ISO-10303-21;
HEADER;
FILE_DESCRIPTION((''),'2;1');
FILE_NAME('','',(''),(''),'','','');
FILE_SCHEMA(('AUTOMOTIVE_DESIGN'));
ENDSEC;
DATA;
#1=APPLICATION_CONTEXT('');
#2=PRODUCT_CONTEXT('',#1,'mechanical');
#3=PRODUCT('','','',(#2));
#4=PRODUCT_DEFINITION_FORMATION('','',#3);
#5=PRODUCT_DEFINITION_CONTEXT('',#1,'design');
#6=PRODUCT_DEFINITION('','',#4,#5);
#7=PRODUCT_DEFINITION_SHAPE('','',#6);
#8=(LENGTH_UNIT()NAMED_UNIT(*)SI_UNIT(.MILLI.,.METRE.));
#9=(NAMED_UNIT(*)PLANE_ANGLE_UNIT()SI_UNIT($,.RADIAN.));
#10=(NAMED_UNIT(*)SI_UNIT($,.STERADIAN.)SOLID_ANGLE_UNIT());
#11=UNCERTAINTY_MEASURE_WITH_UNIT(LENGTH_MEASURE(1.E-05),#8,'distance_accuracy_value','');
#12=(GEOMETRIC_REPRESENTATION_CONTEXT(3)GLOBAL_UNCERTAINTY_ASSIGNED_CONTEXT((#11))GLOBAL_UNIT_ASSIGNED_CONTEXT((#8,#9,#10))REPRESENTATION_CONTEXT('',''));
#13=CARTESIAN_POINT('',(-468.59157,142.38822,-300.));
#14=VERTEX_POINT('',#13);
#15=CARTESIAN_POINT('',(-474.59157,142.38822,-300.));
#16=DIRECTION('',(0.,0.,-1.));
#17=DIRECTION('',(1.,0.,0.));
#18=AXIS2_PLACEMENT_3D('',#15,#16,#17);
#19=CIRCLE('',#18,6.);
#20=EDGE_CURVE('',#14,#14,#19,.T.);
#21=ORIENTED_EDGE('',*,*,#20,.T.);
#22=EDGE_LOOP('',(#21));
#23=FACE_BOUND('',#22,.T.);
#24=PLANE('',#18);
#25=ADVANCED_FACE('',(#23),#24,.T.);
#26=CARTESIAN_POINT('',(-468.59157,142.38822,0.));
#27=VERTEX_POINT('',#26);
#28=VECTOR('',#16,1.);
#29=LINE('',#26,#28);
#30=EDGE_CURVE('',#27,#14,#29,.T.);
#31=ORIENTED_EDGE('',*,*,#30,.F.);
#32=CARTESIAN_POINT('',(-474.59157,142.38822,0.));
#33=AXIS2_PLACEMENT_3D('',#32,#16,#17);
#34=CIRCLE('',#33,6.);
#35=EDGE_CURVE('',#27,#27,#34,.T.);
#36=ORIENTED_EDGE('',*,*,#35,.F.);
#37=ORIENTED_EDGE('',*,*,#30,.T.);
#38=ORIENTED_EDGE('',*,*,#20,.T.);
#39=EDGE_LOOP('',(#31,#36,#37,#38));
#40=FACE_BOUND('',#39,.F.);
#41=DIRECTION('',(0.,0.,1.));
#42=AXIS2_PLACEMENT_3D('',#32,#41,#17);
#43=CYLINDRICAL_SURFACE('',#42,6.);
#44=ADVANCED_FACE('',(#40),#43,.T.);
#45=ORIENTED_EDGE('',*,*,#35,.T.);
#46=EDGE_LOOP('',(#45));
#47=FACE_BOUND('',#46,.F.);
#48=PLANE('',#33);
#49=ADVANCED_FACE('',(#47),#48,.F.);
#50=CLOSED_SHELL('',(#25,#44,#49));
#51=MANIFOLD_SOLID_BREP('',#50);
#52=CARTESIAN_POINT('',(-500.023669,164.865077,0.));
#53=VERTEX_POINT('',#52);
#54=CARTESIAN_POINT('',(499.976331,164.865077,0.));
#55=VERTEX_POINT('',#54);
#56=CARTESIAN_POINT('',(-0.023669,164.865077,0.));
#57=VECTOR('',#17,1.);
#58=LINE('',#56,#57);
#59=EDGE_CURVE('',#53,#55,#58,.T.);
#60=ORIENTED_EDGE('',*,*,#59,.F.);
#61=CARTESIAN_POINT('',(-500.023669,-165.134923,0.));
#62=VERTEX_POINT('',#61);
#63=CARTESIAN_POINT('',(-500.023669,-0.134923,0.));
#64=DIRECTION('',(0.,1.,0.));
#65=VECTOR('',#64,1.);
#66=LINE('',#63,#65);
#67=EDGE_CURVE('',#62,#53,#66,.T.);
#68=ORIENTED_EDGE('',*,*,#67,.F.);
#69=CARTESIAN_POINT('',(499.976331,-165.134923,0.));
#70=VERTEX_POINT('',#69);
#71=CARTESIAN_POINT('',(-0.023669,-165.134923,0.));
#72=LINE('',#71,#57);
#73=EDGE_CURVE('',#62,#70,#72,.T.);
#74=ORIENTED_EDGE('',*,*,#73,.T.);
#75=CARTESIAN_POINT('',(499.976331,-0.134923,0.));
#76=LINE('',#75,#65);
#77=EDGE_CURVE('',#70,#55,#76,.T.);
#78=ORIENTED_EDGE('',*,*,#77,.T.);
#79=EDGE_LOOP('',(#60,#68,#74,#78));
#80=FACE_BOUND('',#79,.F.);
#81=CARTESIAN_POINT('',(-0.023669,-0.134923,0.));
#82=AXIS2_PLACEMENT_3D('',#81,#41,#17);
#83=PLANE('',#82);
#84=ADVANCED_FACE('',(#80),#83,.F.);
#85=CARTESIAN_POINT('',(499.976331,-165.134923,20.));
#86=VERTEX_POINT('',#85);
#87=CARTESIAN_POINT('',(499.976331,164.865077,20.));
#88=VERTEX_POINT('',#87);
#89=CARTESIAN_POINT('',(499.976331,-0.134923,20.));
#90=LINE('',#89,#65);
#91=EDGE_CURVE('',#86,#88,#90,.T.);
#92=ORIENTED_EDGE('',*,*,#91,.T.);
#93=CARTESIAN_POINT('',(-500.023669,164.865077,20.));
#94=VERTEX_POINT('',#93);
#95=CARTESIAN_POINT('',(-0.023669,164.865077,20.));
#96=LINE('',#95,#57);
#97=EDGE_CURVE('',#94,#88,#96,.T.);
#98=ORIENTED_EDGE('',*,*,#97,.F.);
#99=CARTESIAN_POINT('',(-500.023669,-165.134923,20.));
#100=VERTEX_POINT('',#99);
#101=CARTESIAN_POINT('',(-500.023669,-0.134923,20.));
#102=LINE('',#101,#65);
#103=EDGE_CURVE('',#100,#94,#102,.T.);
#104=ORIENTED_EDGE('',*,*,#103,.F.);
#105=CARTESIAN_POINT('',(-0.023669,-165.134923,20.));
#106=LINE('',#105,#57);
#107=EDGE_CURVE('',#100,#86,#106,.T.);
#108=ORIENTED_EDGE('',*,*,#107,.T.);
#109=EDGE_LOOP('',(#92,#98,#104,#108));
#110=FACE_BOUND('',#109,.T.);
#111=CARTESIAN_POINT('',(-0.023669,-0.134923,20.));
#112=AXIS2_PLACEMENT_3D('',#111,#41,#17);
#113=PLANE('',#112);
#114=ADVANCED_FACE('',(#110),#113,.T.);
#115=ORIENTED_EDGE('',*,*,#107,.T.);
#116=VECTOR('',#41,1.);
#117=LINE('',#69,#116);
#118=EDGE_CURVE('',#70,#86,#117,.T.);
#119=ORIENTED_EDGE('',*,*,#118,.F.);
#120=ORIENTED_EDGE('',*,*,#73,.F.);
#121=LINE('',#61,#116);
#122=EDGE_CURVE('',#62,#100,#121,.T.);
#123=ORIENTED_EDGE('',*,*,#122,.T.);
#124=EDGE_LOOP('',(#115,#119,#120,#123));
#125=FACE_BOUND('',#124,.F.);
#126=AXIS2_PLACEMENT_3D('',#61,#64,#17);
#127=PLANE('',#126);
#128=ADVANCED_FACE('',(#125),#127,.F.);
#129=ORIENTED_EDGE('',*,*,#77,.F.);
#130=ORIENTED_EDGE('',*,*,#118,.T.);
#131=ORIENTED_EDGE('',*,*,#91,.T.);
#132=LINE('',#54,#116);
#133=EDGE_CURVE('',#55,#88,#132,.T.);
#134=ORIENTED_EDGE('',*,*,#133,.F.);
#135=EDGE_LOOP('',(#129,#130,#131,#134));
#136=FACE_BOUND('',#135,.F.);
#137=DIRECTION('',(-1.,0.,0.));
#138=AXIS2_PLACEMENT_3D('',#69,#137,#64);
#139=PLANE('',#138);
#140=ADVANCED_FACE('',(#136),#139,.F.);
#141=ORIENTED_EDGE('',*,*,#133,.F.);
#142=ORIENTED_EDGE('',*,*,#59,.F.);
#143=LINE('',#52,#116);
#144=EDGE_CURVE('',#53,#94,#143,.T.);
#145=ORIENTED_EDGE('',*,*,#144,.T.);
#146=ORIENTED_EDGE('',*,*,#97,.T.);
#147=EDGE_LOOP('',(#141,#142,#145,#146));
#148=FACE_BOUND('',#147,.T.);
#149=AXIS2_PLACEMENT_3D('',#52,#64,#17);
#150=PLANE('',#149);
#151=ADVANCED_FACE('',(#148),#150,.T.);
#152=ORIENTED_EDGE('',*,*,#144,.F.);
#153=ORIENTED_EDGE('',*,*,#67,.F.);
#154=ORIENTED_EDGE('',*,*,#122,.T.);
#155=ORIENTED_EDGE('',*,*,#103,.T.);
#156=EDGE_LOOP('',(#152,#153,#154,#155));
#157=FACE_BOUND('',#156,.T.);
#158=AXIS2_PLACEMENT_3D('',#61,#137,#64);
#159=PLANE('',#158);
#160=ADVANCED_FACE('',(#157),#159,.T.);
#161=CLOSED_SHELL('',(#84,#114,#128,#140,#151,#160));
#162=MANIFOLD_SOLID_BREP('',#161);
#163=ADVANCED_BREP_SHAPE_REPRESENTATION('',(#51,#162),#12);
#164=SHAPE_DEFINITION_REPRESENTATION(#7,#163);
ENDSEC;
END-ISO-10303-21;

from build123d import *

# Parameters (mm, degrees)
F0_W     = 1000
F0_H     = 330
F1_DEPTH = 20
F2_R     = 6
F3_DEPTH = 300


with BuildPart() as f1:
    # F0 (on Top) → F1 (new body)
    with BuildSketch(Plane.XY):
        with Locations((-0.023669, -0.134923)):
            Rectangle(F0_W, F0_H)
    extrude(amount=F1_DEPTH)


with BuildPart() as f3:
    # F2 (on face) → F3 (new body)
    with BuildSketch(Plane(origin=(0, 0, 0), x_dir=(1, 0, 0), z_dir=(0, 0, -1))):
        with Locations((-474.59157, -142.38822)):
            Circle(F2_R)
    extrude(amount=F3_DEPTH)


solid = Compound([f1.part, f3.part])
